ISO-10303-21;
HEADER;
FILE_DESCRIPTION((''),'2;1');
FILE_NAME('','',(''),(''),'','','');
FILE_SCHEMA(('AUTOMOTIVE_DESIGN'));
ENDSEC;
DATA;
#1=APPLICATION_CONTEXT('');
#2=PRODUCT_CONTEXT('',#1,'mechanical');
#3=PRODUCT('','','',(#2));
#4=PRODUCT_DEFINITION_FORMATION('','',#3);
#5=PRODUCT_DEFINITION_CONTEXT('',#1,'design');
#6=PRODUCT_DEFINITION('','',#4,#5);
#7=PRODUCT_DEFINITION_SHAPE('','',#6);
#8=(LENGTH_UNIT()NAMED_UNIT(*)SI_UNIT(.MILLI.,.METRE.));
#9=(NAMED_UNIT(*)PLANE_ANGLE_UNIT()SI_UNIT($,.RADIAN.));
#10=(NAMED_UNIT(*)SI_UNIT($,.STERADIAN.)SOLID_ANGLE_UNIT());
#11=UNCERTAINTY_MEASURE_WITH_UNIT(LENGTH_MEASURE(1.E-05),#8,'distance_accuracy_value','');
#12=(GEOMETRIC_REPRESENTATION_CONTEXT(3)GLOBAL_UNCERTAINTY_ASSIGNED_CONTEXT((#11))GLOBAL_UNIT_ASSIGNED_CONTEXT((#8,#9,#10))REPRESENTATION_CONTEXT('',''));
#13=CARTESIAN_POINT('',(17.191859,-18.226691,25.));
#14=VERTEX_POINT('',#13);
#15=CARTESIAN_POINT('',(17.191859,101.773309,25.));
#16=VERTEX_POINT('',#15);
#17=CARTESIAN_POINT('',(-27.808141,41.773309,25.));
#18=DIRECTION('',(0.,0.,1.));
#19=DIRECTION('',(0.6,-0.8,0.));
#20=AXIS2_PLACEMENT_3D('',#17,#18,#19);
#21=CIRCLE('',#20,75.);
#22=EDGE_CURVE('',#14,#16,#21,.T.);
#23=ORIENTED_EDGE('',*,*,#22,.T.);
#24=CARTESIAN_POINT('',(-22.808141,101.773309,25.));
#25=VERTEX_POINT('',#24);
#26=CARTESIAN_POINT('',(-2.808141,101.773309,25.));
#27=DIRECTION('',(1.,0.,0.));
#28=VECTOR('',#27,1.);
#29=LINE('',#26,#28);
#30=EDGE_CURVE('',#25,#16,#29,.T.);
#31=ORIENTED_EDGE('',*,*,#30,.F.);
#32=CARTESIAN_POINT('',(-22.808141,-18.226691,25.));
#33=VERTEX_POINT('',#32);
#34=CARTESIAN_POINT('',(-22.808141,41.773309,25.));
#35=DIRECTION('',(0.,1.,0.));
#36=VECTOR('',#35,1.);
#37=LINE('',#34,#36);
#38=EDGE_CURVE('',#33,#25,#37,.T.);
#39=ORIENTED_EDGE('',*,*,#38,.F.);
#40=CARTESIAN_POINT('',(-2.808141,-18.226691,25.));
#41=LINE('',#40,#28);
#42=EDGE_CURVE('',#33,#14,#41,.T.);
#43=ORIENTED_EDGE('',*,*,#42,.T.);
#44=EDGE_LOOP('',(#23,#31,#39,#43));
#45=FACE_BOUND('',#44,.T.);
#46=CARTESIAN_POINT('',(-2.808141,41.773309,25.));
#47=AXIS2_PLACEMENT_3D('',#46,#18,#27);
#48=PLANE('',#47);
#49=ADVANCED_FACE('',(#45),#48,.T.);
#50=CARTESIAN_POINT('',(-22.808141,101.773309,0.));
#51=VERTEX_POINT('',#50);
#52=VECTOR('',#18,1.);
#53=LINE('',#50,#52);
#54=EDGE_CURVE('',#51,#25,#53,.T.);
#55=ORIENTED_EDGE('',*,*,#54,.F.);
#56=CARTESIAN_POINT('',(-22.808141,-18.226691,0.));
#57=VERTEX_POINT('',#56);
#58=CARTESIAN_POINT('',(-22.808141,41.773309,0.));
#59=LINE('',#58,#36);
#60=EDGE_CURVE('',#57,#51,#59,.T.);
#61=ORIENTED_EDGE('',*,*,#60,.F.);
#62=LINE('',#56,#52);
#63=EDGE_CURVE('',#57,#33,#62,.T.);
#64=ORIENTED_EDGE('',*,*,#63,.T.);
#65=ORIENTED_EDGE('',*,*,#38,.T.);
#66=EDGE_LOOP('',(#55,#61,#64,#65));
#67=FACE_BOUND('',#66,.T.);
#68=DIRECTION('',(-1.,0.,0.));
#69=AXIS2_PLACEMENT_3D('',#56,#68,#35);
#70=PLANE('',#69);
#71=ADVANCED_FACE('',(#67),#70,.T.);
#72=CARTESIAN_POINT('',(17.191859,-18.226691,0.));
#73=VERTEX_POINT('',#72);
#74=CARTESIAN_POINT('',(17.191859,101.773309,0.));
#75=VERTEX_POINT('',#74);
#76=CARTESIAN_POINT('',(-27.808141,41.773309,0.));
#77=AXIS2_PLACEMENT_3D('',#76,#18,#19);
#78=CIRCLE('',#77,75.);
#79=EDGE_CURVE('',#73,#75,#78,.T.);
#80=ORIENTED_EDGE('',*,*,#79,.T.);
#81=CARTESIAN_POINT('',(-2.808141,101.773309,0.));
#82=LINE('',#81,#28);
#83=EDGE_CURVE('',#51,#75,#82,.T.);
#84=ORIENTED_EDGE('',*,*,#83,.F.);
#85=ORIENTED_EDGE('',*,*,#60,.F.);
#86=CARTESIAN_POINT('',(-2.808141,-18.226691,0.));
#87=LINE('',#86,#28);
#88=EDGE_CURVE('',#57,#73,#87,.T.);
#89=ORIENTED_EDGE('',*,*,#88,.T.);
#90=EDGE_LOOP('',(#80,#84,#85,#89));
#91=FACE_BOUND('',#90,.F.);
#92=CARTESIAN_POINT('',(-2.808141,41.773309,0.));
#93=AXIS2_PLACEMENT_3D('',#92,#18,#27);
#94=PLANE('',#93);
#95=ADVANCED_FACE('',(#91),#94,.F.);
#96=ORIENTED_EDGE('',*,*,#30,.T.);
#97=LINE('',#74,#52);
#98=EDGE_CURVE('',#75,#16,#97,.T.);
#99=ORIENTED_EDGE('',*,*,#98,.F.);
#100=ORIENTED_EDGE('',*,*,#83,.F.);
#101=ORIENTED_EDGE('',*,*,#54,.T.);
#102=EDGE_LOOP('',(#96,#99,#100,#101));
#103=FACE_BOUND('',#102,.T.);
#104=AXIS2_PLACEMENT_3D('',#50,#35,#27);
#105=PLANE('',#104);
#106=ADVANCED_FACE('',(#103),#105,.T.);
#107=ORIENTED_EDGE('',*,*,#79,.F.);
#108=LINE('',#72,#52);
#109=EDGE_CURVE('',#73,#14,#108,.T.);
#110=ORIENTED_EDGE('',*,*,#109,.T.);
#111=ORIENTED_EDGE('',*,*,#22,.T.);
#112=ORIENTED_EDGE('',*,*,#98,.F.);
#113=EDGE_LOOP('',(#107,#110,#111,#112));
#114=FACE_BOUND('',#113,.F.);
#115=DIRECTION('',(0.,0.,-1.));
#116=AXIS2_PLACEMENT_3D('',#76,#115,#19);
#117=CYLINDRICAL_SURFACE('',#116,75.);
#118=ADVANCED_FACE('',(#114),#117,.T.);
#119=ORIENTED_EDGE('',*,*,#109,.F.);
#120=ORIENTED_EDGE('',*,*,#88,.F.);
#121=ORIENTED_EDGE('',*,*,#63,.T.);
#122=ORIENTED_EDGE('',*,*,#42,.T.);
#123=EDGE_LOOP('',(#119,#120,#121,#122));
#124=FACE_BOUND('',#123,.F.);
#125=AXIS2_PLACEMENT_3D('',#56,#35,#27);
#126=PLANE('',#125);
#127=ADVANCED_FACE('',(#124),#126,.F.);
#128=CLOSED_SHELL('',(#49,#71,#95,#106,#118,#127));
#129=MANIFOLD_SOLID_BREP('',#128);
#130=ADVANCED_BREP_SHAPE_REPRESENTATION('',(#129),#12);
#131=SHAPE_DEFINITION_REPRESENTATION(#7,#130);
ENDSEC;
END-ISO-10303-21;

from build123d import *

# Parameters (mm, degrees)
F0_W     = 40
F0_H     = 120
F1_DEPTH = 25


with BuildPart() as f1:
    # F0 (on Top) → F1 (new body)
    with BuildSketch(Plane.XY):
        with Locations((-2.808141, 41.773309)):
            Rectangle(F0_W, F0_H)
        with BuildLine():
            Line((17.191859, 101.773309), (17.191859, -18.226691))
            ThreePointArc((17.191859, -18.226691), (47.191859, 41.773309), (17.191859, 101.773309))
        make_face()
    extrude(amount=F1_DEPTH)


solid = f1.part
